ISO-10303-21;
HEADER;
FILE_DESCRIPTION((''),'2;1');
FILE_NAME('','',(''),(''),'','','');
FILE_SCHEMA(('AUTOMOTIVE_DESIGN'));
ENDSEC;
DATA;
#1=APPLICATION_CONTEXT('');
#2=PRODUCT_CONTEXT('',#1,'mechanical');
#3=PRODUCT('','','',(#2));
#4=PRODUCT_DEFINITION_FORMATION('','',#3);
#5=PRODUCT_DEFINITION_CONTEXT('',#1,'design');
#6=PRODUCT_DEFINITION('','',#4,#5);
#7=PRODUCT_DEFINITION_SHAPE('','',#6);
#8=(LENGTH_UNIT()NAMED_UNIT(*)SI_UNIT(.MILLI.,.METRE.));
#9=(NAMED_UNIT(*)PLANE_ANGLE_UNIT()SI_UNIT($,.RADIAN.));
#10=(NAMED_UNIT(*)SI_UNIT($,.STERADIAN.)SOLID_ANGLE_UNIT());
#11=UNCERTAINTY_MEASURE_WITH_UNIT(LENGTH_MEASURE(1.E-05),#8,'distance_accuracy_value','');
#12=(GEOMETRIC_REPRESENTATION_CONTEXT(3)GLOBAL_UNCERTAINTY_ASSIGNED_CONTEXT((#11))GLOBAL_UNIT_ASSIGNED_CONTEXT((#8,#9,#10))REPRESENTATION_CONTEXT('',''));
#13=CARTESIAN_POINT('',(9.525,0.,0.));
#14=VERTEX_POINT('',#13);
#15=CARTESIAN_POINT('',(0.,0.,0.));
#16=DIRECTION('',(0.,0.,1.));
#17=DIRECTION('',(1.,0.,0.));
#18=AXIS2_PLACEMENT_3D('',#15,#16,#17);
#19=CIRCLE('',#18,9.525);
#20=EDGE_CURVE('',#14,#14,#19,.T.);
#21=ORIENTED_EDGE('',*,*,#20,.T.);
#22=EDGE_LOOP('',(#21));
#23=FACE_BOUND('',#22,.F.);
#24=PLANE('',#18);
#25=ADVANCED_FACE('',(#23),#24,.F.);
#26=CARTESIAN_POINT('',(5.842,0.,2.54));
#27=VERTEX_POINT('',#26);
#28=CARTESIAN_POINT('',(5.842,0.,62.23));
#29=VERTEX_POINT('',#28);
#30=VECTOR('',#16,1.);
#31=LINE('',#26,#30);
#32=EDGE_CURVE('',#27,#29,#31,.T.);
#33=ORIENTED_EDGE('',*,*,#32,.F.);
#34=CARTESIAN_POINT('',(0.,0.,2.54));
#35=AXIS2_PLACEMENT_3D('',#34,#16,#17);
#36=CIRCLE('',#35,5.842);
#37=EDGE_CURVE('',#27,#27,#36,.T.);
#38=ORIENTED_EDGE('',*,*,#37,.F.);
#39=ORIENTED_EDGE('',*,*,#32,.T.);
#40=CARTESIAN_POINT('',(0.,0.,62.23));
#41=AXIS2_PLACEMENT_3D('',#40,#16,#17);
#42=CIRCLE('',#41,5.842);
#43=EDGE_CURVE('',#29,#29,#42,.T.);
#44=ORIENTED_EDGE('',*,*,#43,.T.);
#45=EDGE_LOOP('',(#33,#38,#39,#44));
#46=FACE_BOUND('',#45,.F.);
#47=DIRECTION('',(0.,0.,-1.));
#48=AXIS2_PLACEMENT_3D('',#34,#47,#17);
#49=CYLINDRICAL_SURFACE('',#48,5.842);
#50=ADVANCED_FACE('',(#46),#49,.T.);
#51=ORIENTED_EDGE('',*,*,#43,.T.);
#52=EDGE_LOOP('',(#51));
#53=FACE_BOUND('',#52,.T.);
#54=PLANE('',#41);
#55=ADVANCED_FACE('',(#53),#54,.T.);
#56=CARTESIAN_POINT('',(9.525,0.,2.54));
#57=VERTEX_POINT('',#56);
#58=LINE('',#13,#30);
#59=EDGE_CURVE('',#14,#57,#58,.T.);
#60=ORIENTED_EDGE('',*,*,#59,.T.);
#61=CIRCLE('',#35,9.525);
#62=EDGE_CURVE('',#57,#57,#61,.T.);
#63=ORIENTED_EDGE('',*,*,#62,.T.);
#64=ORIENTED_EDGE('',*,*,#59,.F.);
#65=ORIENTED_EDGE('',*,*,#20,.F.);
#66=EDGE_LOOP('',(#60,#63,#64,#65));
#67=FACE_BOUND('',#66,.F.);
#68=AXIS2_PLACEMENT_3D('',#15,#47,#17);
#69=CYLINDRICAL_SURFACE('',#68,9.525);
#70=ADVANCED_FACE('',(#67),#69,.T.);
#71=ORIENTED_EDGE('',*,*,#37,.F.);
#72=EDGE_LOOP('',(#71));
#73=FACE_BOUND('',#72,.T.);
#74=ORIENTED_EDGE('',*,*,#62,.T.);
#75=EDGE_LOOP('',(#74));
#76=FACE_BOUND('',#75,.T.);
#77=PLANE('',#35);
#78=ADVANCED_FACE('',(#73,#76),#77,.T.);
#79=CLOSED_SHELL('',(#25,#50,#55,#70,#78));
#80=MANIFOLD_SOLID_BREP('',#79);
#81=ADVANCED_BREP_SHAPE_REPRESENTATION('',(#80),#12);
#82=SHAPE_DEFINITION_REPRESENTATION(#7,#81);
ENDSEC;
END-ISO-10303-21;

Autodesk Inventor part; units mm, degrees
ref_plane "YZ Plane" through (0, 0, 0) normal (1, 0, 0) x (0, 1, 0)
ref_plane "XZ Plane" through (0, 0, 0) normal (0, 1, 0) x (-1, 0, 0)
ref_plane "XY Plane" through (0, 0, 0) normal (0, 0, 1) x (1, 0, 0)
sketch "Sketch1" plane through (0, 0, 0) normal (0, 0, 1) x (1, 0, 0)
  circle A0 centre (0, 0) radius 9.525
  dimension "d0" = 19.05
extrude "Extrusion1" add sketch "Sketch1" along normal blind 2.54
sketch "Sketch2" plane through (0, 0, 2.54) normal (0, 0, 1) x (1, 0, 0)
  circle A0 centre (0, 0) radius 5.842
  dimension "d3" = 11.684
extrude "Extrusion2" add sketch "Sketch2" along normal blind 59.69
properties part number "Leg Mount Rivet"
